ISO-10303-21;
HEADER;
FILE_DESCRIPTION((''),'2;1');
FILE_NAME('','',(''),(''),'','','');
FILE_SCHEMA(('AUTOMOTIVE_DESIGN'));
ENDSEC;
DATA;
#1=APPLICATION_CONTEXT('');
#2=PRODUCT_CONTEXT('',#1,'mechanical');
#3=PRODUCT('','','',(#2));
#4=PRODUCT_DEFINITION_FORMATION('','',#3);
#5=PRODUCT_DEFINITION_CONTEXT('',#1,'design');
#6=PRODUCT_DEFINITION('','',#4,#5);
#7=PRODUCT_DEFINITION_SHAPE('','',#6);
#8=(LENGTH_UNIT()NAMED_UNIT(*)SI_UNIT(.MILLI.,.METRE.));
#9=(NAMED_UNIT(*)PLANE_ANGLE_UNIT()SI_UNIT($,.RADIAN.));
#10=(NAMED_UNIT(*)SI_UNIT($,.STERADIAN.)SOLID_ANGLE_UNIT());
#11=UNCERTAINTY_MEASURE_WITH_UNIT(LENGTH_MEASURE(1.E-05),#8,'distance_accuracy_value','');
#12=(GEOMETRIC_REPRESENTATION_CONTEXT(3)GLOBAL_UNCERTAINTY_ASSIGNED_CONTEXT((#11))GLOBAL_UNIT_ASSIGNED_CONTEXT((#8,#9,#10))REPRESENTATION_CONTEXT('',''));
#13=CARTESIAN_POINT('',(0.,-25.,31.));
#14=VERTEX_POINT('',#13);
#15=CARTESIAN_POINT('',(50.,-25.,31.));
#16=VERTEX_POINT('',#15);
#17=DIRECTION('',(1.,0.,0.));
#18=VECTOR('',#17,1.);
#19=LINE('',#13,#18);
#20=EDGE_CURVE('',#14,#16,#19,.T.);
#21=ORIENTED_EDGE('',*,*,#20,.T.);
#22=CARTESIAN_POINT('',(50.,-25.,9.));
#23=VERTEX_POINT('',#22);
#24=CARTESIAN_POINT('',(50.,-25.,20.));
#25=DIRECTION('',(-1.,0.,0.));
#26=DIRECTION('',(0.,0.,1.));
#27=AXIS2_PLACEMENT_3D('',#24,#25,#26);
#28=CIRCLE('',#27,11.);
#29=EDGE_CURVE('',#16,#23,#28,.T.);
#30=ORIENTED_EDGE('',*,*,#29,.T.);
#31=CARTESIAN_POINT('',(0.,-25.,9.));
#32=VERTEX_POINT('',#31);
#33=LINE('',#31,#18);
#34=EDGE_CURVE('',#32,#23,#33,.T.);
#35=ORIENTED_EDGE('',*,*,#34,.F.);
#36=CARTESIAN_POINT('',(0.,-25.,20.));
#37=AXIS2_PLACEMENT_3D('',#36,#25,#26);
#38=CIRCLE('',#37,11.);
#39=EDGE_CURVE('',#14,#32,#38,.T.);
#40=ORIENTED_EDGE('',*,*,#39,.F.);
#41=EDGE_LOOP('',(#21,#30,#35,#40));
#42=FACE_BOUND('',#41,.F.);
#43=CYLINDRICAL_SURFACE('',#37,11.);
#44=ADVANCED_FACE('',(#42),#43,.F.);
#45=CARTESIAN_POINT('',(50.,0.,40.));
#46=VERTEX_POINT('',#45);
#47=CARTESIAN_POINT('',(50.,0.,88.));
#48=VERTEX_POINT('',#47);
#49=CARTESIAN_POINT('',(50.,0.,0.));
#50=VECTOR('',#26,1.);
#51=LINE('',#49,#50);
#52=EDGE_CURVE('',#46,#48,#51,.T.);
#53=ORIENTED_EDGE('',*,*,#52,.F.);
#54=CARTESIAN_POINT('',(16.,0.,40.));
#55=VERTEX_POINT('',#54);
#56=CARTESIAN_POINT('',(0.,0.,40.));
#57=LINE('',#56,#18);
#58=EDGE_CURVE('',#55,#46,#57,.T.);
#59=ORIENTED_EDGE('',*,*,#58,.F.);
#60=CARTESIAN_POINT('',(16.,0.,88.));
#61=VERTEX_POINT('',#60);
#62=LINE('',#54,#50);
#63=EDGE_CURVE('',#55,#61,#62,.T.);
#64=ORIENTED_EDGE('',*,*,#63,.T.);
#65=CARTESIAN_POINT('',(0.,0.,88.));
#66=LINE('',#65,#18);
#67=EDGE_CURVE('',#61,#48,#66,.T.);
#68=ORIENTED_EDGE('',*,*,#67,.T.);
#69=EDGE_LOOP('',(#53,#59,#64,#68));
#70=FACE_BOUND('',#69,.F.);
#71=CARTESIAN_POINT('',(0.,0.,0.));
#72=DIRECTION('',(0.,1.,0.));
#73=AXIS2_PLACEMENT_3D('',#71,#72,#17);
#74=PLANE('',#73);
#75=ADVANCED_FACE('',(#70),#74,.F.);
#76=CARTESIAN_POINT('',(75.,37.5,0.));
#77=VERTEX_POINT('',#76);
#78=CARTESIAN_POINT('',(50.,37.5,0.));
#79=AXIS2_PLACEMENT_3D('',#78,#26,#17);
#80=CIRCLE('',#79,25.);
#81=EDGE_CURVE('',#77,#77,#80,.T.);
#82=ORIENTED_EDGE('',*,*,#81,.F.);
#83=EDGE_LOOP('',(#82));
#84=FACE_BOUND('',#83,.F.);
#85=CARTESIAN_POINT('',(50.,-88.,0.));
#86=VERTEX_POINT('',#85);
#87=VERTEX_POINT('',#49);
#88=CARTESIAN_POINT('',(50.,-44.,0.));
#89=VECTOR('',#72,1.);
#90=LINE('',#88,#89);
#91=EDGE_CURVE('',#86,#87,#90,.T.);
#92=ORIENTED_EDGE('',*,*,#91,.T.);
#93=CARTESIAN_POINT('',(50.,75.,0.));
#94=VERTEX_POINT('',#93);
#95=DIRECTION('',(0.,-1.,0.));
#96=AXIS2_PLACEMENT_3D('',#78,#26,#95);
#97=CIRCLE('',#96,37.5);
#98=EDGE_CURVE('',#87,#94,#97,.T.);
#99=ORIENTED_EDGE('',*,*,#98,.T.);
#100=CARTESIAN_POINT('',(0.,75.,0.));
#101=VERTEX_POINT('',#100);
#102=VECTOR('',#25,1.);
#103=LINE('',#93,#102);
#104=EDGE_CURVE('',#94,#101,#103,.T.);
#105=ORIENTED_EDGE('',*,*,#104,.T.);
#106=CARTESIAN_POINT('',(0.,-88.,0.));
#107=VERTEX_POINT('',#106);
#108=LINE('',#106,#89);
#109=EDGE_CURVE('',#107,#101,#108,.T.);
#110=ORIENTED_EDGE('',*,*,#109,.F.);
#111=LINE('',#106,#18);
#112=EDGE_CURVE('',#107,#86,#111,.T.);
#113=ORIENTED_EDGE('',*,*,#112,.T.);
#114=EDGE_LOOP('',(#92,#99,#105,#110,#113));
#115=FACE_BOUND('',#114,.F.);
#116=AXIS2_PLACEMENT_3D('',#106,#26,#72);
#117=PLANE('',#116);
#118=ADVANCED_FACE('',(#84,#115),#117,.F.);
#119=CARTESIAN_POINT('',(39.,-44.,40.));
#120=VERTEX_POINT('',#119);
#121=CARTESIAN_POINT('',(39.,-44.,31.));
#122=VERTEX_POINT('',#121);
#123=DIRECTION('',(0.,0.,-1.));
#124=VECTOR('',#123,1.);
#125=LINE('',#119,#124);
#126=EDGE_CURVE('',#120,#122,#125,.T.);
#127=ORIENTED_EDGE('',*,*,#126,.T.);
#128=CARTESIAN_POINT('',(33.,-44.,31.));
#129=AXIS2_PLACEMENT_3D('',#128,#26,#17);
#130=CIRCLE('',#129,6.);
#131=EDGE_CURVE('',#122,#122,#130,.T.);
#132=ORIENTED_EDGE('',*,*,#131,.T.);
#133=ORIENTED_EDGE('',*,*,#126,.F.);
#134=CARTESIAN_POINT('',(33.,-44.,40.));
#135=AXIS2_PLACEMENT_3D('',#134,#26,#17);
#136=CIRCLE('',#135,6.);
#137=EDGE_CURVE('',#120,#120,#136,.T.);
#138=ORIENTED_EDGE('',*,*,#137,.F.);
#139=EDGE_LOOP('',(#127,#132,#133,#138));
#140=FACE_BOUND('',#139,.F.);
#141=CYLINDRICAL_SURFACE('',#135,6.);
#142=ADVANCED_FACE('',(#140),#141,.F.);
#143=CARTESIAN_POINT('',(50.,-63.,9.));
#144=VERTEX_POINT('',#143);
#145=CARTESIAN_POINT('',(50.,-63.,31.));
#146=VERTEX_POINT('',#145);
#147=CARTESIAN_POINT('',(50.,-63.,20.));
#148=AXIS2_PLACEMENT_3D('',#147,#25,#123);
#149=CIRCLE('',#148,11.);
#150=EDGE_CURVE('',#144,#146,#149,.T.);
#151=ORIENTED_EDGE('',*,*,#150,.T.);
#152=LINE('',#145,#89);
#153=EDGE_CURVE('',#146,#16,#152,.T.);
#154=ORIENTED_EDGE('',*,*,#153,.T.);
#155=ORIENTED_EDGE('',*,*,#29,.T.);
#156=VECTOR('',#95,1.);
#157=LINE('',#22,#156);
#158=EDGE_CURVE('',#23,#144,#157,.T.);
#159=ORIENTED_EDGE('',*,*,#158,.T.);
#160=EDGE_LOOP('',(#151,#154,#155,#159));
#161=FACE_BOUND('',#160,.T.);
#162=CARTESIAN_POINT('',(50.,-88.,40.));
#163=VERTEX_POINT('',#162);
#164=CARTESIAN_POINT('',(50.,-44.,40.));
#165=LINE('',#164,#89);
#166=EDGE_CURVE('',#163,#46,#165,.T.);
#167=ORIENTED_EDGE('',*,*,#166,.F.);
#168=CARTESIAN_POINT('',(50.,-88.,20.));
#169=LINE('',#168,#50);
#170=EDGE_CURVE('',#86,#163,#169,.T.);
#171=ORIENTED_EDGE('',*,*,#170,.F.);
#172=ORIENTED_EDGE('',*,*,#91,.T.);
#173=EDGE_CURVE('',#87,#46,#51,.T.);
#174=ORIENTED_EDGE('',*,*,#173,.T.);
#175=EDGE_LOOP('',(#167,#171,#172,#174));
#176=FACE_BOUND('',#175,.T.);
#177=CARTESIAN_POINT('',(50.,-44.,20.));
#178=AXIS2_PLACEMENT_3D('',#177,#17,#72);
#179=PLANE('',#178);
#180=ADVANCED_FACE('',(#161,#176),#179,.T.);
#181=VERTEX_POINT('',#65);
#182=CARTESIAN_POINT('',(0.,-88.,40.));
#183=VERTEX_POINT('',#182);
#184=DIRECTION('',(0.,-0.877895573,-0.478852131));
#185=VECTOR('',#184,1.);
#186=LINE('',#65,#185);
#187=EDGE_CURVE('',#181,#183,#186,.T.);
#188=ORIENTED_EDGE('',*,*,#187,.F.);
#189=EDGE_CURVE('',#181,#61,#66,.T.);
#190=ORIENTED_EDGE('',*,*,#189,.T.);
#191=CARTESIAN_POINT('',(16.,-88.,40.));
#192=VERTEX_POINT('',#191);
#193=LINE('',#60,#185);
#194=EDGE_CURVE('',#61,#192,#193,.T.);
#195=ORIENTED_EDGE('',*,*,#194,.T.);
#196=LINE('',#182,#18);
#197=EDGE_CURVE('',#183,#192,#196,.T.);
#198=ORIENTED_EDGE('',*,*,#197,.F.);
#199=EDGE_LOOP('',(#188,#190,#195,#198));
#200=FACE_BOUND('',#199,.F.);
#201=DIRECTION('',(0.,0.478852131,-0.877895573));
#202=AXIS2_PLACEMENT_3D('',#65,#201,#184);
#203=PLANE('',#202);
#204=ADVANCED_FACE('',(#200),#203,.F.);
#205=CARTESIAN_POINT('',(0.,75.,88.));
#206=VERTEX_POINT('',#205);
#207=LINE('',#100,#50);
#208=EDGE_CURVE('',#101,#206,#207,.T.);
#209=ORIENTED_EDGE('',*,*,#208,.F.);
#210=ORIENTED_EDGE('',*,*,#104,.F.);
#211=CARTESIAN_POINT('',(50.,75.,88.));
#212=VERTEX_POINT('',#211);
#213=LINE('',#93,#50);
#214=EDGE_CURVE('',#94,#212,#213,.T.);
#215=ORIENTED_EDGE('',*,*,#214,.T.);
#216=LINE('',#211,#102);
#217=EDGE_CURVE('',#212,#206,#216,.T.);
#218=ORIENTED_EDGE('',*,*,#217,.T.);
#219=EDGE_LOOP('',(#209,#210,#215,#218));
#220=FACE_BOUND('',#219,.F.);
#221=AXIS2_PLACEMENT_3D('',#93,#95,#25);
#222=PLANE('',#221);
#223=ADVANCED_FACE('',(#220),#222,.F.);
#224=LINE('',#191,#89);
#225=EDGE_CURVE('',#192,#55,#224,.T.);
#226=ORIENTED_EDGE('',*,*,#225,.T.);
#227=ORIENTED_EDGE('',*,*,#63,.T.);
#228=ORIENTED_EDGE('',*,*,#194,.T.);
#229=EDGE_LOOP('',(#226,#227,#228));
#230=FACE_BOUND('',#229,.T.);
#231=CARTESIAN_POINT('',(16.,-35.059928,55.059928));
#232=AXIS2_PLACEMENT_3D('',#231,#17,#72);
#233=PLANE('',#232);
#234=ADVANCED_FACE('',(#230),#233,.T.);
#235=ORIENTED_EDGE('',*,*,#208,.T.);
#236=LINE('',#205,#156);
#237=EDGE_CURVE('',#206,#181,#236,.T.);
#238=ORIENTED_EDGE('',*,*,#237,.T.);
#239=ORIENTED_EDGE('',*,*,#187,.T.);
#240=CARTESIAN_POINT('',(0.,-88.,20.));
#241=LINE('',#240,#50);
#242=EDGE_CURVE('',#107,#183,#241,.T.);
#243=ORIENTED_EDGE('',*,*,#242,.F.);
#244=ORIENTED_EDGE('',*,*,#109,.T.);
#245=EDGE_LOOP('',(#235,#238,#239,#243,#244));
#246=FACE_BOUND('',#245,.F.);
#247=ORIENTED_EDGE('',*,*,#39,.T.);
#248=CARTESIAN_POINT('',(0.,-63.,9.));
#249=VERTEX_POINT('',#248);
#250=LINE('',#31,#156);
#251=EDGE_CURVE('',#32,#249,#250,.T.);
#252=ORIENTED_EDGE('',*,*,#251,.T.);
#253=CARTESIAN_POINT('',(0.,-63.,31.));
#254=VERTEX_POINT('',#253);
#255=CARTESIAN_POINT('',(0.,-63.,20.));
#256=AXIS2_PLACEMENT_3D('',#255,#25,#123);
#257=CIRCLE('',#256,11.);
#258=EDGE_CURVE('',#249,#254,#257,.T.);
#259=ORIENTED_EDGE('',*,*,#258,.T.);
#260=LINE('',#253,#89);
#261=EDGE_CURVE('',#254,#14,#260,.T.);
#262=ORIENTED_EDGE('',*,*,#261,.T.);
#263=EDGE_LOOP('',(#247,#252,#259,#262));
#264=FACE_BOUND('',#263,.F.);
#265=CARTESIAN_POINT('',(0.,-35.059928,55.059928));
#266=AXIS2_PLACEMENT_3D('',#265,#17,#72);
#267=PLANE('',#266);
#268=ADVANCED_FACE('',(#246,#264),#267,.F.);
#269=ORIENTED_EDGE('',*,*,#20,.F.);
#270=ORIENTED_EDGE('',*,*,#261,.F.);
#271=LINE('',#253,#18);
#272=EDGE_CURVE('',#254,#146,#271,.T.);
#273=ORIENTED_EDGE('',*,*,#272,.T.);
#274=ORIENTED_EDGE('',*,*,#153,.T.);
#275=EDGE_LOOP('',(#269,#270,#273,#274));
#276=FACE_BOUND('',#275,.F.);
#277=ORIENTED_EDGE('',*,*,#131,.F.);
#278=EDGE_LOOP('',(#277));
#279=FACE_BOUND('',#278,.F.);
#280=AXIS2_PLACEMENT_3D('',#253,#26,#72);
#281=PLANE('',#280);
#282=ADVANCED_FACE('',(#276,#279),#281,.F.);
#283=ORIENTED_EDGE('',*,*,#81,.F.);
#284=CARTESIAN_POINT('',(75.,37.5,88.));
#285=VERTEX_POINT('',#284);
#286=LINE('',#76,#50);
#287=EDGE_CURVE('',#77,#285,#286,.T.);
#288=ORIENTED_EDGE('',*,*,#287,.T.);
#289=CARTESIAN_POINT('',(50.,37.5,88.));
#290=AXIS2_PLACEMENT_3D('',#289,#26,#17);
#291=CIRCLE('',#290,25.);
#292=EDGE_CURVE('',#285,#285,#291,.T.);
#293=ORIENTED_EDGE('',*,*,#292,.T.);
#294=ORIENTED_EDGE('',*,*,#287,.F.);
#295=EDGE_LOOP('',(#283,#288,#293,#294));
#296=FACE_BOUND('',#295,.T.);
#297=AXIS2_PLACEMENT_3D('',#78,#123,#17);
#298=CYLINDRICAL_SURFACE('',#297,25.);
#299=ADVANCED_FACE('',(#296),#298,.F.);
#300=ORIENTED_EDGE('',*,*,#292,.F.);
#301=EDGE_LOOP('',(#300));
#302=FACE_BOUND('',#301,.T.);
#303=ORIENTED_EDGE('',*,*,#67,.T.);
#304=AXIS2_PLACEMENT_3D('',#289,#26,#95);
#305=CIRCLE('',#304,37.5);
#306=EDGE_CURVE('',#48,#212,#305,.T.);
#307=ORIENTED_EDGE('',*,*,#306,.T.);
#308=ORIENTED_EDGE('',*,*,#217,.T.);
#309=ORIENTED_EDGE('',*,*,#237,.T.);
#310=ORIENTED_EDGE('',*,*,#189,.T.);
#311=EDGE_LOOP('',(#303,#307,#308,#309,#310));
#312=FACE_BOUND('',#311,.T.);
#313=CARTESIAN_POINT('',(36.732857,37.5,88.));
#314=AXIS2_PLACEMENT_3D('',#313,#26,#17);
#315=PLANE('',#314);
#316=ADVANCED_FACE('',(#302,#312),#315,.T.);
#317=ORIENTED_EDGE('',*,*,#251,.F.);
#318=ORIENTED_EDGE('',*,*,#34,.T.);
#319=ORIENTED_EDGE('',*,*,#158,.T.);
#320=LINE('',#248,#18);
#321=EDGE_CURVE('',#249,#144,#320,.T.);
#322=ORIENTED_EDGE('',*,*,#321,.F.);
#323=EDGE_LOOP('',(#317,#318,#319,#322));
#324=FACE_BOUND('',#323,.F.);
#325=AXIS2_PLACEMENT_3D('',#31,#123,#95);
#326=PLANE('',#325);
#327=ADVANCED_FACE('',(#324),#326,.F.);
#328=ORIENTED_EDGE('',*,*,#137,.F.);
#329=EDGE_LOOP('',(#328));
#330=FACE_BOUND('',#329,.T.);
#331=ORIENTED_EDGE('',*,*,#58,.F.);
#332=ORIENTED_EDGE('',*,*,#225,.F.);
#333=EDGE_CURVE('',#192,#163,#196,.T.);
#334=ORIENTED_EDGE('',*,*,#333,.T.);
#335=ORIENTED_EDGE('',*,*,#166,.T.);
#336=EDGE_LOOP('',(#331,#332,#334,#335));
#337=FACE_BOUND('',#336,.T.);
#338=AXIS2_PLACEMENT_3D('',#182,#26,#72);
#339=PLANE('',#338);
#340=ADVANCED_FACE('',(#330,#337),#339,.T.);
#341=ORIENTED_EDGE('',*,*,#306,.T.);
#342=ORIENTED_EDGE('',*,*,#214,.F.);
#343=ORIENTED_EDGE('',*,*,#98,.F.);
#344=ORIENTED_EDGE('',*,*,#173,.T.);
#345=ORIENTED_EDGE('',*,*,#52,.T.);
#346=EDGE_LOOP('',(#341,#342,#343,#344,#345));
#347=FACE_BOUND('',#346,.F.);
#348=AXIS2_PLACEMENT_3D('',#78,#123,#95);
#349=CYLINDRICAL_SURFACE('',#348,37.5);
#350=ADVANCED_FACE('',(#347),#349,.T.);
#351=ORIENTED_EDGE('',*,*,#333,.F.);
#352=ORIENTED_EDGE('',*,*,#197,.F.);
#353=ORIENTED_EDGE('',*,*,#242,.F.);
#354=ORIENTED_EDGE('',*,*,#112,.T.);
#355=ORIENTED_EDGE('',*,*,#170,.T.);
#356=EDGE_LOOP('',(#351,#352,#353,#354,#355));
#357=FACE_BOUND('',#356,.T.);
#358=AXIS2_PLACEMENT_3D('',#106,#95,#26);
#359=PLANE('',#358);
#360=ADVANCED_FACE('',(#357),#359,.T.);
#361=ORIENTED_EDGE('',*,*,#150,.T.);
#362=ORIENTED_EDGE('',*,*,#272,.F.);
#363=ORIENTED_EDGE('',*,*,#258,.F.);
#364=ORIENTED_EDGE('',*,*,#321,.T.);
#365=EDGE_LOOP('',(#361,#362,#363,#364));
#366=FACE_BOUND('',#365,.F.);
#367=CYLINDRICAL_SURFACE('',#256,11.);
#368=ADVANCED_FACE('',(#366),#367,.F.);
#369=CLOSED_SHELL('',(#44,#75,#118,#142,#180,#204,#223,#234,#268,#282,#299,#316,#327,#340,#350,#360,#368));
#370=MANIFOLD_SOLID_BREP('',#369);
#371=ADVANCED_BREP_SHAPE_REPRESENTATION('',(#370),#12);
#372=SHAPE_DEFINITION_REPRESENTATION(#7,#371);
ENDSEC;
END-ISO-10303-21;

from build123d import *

# Parameters (mm, degrees)
F0_R     = 25
F1_DEPTH = 88
F2_W     = 88
F2_H     = 40
F3_DEPTH = 50
F5_DEPTH = 16
F6_R     = 6
F7_DEPTH = 9


with BuildPart() as f1:
    # F0 (on Top) → F1 (new body)
    with BuildSketch(Plane.XY):
        with BuildLine():
            Line((0, 75), (0, 0))
            Line((0, 0), (50, 0))
            ThreePointArc((50, 0), (87.5, 37.5), (50, 75))
            Line((50, 75), (0, 75))
        make_face()
        with Locations((50, 37.5)):
            Circle(F0_R, mode=Mode.SUBTRACT)
    extrude(amount=F1_DEPTH)

    # F2 (on Right) → F3 (join)
    with BuildSketch(Plane.YZ):
        with Locations((-44, 20)):
            Rectangle(F2_W, F2_H)
        with BuildLine():
            ThreePointArc((-25, 31), (-14, 20), (-25, 9))
            Line((-25, 9), (-63, 9))
            ThreePointArc((-63, 9), (-74, 20), (-63, 31))
            Line((-63, 31), (-25, 31))
        make_face(mode=Mode.SUBTRACT)
    extrude(amount=F3_DEPTH)

    # F4 (on Right) → F5 (join)
    with BuildSketch(Plane.YZ):
        Polygon((-88, 40), (0, 40), (0, 88), align=None)
    extrude(amount=F5_DEPTH)

    # F6 (on face) → F7 (cut, through all)
    with BuildSketch(Plane.XY.offset(40)):
        with Locations((33, -44)):
            Circle(F6_R)
    extrude(amount=-F7_DEPTH, mode=Mode.SUBTRACT)


solid = f1.part
